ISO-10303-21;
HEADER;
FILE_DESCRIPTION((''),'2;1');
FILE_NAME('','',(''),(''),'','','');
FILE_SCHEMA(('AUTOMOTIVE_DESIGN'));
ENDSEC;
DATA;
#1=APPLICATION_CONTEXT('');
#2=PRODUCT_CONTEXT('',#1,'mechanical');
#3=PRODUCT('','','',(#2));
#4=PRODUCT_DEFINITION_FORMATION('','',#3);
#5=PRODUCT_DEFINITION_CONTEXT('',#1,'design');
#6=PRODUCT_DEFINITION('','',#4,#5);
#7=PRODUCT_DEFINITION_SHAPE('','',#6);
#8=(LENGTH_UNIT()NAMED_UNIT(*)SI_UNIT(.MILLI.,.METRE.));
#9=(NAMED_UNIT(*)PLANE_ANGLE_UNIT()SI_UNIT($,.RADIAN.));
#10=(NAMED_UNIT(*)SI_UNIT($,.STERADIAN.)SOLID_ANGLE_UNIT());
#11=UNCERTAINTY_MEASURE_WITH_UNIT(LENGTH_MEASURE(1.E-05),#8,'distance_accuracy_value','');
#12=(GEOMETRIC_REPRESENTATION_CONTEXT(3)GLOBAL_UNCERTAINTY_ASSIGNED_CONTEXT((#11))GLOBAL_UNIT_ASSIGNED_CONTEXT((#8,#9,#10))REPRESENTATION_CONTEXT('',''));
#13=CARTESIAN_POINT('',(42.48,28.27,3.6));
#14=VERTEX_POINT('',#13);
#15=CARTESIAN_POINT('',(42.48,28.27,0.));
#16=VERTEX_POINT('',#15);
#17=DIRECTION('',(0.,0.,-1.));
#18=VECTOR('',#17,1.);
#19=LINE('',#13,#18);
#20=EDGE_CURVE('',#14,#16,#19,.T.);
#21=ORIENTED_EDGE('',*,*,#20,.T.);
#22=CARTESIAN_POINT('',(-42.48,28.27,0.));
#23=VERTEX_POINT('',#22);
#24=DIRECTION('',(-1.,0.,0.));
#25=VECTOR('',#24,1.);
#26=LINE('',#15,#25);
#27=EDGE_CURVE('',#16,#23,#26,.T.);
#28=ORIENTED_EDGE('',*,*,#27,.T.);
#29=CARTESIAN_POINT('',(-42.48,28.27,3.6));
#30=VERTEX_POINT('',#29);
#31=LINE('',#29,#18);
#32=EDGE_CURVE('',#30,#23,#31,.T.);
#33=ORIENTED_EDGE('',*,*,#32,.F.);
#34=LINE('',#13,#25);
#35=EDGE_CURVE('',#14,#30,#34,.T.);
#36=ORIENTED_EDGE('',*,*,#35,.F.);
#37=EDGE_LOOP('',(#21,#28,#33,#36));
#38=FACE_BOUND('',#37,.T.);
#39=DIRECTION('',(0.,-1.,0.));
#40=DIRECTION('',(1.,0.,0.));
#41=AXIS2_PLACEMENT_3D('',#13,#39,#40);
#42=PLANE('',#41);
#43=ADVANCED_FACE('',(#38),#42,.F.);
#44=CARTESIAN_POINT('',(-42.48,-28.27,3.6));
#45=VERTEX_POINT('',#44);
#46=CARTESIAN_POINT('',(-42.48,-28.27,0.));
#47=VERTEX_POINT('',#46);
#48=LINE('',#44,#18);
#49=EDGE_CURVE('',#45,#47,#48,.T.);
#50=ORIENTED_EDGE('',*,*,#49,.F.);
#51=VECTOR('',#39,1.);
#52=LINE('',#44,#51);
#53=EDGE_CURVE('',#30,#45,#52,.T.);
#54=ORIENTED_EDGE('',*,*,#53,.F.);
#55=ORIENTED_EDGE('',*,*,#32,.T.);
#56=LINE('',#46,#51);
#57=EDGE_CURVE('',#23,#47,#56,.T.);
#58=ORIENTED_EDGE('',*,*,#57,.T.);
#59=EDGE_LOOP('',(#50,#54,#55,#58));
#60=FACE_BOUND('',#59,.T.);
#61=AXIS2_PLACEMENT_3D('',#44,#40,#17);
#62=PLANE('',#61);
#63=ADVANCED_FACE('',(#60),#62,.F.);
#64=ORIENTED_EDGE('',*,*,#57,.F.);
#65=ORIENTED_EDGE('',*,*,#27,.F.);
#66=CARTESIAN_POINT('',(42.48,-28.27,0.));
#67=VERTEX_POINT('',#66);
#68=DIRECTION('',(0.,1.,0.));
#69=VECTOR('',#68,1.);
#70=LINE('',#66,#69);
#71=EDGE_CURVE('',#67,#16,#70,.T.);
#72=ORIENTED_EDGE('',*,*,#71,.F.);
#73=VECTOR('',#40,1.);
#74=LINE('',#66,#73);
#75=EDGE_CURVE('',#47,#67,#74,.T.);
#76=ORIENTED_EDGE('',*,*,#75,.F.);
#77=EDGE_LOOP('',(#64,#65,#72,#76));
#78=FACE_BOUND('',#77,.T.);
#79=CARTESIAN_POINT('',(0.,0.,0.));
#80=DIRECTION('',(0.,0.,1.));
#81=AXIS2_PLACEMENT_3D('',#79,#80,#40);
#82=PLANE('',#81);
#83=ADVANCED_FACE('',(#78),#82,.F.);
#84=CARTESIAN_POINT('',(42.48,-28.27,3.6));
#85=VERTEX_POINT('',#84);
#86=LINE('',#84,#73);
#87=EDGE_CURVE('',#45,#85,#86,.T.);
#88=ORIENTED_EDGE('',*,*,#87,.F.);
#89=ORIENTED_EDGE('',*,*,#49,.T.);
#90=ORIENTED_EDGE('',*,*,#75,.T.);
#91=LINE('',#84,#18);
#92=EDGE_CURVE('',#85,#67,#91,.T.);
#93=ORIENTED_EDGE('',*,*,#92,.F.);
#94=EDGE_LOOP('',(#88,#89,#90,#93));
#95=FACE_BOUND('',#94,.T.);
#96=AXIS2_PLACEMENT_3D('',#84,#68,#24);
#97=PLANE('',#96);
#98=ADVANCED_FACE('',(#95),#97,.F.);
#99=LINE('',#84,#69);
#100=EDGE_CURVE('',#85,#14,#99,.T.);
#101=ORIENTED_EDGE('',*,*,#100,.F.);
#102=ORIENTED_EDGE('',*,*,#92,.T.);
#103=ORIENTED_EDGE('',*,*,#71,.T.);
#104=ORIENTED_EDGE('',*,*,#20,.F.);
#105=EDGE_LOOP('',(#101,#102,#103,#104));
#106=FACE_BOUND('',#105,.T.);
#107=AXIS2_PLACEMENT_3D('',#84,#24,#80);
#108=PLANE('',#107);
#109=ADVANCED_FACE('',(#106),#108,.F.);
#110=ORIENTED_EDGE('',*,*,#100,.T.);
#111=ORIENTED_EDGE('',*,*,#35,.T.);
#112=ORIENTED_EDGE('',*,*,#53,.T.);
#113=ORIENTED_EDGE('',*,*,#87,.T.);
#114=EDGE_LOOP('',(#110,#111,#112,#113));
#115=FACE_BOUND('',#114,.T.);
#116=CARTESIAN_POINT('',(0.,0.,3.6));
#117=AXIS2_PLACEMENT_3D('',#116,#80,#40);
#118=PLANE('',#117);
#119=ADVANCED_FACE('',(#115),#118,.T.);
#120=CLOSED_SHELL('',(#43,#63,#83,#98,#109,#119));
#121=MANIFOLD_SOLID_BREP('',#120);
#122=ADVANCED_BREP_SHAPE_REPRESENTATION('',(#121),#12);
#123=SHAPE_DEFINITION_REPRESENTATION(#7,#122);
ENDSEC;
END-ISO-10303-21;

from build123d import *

# Parameters (mm, degrees)
SKETCH_1_W      = 84.96
SKETCH_1_H      = 56.54
EXTRUDE_1_DEPTH = 3.6


with BuildPart() as part:
    # Эскиз1 → Бобышка-Вытянуть1 (new body)
    with BuildSketch(Plane.XY):
        Rectangle(SKETCH_1_W, SKETCH_1_H)
    extrude(amount=EXTRUDE_1_DEPTH)


solid = part.part
